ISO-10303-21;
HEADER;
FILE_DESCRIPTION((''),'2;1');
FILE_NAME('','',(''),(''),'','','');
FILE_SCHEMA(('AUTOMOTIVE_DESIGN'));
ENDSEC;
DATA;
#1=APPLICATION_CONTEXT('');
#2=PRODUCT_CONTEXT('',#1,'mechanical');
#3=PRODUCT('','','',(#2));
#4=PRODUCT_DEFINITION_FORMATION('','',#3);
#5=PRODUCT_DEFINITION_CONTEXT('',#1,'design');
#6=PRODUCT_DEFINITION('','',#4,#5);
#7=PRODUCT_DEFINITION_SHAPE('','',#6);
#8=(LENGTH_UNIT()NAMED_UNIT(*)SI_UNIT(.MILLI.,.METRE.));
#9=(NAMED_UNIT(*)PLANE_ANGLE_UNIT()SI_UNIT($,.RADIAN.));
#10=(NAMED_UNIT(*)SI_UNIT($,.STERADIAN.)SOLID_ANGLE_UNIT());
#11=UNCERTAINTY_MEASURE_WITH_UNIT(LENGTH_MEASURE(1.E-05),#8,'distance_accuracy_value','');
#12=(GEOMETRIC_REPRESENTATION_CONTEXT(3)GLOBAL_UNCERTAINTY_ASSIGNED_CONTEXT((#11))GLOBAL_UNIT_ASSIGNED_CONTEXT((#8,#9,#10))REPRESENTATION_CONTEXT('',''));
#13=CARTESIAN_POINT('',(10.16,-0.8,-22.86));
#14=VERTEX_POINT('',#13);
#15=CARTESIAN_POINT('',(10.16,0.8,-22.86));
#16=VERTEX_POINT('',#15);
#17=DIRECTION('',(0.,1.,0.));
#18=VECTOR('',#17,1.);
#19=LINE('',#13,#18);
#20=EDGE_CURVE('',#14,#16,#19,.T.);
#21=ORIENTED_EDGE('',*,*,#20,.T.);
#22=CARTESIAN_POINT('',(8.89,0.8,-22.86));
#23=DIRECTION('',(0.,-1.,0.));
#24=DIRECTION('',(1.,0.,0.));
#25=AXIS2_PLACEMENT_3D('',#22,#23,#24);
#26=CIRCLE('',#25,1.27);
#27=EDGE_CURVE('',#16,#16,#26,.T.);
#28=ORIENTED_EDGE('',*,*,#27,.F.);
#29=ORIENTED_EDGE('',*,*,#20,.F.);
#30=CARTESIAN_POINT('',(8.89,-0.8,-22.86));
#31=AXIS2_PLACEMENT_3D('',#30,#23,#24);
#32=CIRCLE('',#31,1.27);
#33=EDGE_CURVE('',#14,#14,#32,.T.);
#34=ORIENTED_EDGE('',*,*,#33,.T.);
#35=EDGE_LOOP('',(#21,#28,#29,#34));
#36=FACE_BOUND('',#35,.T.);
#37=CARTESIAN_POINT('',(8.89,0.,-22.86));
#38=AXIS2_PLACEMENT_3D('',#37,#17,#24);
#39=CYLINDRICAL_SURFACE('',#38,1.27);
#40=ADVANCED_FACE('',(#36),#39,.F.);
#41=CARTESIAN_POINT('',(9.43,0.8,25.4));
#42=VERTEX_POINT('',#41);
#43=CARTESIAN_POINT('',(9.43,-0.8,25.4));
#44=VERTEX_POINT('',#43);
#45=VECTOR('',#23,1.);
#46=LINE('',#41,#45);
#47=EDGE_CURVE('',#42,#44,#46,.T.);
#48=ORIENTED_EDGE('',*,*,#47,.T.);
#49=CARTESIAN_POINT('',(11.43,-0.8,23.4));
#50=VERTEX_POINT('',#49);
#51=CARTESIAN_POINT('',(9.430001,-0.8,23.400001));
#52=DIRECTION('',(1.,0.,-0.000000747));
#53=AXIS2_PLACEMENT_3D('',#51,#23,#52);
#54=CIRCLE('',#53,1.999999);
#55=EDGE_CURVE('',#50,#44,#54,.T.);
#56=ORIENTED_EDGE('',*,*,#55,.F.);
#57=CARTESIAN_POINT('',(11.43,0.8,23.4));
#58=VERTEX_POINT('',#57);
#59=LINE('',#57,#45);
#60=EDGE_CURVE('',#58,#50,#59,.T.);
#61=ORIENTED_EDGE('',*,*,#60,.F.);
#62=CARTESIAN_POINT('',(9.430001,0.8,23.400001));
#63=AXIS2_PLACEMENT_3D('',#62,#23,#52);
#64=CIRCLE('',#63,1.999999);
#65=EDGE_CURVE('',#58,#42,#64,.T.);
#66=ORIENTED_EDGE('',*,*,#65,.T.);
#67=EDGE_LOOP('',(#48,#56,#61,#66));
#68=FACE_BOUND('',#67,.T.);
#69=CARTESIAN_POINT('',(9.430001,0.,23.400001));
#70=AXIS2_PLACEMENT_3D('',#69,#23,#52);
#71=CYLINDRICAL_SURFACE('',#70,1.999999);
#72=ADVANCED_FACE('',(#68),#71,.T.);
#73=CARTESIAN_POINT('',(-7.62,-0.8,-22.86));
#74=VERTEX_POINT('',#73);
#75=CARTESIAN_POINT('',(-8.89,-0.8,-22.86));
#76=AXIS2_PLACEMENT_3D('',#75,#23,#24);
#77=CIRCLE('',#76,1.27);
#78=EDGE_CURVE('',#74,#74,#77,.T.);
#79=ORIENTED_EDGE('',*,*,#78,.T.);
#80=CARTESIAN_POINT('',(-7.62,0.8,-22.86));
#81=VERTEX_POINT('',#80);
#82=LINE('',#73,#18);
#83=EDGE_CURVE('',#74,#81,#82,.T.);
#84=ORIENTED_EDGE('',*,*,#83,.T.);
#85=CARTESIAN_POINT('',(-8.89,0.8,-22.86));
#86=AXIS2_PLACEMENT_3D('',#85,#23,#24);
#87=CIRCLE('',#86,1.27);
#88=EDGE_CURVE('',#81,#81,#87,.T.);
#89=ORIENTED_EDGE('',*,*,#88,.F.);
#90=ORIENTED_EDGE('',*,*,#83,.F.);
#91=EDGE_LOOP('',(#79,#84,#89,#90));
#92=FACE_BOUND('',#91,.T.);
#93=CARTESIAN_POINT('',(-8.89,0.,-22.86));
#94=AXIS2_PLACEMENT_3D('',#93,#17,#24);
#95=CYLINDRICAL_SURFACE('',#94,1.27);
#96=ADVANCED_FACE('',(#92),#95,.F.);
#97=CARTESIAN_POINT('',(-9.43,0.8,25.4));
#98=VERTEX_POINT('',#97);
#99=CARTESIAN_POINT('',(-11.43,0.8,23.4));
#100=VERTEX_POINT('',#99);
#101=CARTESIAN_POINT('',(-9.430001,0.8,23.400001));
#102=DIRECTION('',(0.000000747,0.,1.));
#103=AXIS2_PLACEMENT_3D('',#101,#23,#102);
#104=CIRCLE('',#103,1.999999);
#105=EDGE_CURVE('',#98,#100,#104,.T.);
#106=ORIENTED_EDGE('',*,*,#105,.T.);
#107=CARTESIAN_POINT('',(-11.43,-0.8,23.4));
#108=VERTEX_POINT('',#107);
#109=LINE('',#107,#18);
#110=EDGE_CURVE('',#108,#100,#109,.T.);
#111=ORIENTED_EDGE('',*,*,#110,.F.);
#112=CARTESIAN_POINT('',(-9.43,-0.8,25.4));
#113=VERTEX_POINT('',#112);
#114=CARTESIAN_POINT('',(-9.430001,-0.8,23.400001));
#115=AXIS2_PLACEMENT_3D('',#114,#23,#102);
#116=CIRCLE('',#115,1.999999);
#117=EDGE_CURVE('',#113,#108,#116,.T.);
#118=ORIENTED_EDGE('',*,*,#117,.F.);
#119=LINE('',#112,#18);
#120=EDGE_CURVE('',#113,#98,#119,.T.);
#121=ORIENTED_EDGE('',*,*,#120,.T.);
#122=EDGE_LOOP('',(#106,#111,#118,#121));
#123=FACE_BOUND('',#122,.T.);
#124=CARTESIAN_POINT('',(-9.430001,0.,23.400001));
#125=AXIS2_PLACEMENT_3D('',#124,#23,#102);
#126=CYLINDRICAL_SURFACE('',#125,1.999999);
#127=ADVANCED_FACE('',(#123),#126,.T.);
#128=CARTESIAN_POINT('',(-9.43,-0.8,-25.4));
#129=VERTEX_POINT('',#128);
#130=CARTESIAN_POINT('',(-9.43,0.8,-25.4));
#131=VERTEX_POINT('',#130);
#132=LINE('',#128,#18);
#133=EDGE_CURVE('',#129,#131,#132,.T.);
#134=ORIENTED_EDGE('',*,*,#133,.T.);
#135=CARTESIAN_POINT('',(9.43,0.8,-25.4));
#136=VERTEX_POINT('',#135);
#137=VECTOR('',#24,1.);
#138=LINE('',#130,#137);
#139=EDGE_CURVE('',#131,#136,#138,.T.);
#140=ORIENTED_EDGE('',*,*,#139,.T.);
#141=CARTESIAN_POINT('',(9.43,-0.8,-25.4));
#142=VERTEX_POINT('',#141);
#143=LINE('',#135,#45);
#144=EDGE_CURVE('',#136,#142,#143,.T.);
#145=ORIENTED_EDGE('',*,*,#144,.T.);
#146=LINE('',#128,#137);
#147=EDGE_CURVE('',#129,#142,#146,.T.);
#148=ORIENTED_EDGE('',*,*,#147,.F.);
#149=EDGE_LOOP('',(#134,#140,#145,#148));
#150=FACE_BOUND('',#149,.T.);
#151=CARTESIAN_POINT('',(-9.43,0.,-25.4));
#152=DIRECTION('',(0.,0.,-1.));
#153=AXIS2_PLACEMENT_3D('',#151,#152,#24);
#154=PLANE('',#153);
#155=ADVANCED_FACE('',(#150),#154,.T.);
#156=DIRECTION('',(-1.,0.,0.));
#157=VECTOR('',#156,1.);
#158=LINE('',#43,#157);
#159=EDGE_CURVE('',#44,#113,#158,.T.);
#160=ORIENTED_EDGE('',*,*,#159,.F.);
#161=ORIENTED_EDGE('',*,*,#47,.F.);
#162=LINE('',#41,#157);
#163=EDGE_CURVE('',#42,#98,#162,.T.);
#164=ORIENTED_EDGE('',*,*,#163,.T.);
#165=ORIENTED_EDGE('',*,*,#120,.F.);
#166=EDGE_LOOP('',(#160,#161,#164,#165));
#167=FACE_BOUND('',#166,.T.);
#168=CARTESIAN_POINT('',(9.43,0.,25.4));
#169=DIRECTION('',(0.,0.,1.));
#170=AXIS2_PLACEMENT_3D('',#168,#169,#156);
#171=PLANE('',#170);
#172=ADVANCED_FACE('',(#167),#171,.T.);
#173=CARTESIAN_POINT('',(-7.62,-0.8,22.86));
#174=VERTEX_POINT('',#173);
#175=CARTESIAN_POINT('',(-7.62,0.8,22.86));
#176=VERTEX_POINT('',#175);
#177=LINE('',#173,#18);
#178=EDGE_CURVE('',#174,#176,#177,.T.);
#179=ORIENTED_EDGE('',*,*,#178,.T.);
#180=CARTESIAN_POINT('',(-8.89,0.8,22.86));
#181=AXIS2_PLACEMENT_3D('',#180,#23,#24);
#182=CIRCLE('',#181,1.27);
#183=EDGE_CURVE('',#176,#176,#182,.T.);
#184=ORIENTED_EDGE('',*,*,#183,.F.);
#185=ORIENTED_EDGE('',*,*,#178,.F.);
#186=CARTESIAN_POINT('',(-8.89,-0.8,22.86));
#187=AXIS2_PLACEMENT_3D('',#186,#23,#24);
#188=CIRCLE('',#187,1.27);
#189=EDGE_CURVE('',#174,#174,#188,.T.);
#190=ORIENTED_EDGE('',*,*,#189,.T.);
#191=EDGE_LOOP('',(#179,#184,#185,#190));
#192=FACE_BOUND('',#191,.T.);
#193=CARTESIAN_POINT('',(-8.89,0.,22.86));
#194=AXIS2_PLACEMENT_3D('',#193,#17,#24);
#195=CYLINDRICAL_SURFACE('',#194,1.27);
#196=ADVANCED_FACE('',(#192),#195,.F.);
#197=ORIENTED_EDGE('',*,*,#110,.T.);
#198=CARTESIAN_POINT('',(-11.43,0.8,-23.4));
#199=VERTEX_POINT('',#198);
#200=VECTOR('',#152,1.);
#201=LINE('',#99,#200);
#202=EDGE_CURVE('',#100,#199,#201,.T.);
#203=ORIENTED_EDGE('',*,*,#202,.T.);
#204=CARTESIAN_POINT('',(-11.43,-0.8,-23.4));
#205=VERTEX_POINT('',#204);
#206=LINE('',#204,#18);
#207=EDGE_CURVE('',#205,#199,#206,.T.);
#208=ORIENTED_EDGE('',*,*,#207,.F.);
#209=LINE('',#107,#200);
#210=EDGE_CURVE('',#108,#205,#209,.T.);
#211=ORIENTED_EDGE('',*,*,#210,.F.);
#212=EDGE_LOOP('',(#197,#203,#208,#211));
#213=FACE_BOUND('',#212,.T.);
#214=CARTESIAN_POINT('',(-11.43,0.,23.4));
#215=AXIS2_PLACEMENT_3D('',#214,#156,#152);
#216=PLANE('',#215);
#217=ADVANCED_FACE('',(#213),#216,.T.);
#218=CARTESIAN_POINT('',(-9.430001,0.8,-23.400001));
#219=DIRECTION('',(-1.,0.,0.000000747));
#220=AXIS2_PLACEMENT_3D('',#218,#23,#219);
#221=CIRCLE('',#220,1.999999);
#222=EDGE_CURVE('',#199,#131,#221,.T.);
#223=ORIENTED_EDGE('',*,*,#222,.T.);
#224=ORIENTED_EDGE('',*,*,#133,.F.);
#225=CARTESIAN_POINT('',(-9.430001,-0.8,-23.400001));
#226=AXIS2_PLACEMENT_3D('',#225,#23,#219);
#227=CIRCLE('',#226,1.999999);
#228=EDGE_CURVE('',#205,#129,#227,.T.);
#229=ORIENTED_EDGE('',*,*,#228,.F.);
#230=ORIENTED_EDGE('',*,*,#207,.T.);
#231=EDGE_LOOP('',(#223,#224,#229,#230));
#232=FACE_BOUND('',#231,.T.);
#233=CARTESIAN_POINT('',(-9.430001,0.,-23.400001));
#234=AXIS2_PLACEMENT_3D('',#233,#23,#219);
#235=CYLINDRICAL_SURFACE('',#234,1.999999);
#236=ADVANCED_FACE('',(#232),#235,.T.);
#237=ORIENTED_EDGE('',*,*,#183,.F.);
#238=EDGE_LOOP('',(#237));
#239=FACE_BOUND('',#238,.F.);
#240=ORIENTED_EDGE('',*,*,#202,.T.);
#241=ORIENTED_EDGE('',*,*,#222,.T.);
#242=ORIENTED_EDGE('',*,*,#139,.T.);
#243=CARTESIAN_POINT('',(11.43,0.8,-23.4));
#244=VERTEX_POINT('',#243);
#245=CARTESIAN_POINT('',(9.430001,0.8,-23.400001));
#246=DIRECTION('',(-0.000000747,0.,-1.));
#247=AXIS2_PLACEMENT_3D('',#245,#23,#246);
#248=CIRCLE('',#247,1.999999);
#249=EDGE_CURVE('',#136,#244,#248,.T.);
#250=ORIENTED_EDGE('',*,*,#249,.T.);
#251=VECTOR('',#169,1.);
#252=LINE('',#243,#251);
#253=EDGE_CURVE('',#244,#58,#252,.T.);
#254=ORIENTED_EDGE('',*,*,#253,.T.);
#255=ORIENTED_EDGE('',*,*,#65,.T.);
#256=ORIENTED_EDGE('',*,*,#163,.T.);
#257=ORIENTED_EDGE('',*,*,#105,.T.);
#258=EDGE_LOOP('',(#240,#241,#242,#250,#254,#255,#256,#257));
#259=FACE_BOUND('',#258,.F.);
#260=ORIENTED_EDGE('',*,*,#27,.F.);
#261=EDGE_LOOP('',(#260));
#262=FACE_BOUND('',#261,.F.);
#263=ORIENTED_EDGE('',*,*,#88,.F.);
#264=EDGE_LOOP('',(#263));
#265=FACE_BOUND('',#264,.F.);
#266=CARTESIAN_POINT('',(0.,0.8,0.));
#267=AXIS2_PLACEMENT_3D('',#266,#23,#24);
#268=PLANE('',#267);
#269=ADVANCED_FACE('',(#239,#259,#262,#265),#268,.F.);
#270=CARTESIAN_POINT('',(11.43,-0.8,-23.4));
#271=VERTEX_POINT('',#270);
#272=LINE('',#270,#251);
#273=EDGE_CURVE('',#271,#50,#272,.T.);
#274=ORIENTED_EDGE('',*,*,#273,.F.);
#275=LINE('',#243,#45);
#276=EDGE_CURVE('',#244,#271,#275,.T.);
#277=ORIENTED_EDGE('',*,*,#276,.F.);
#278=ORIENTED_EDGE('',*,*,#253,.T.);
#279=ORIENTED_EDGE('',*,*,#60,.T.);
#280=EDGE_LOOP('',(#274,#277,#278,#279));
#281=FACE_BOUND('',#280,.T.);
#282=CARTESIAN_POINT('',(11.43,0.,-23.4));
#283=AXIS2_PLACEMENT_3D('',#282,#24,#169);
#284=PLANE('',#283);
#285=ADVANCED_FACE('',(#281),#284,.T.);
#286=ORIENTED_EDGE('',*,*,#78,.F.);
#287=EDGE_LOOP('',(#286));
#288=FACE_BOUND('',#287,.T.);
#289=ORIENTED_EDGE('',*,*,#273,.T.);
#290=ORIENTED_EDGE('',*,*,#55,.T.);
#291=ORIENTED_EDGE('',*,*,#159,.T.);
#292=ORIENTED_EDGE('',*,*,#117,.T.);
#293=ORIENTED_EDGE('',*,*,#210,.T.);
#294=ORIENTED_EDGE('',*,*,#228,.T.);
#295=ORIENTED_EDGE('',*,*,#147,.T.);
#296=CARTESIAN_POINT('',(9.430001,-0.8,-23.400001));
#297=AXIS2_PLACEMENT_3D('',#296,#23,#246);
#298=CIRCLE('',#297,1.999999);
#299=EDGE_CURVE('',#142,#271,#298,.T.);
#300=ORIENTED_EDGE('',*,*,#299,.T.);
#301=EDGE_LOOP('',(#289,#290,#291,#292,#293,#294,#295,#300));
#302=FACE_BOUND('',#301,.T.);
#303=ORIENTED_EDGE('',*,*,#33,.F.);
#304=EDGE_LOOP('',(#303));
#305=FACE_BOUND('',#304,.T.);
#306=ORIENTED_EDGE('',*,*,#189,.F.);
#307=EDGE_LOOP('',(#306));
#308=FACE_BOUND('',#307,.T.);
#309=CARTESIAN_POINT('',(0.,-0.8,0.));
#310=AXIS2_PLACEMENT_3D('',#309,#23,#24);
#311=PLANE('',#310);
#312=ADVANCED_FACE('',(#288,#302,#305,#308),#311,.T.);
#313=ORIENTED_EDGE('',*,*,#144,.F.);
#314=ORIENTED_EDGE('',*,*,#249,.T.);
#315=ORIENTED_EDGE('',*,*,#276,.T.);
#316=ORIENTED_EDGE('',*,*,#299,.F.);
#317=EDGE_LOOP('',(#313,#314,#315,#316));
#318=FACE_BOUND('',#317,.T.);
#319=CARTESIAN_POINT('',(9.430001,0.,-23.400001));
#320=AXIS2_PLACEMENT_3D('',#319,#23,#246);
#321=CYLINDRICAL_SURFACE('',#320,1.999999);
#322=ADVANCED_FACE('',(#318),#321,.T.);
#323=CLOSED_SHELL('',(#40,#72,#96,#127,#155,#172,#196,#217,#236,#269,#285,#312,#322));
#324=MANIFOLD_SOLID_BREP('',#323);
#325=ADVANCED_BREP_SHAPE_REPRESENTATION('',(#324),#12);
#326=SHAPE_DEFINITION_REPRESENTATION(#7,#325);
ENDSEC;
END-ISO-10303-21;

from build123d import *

# Parameters (mm, degrees)
F0_R     = 1.27
F1_DEPTH = 0.8


with BuildPart() as f1:
    # F0 (on Front) → F1 (new body, symmetric)
    with BuildSketch(Plane.XZ):
        with BuildLine():
            Line((-9.43, -25.4), (9.43, -25.4))
            ThreePointArc((9.43, -25.4), (10.844214, -24.814214), (11.43, -23.4))
            Line((11.43, -23.4), (11.43, 23.4))
            ThreePointArc((11.43, 23.4), (10.844214, 24.814214), (9.43, 25.4))
            Line((9.43, 25.4), (-9.43, 25.4))
            ThreePointArc((-9.43, 25.4), (-10.844214, 24.814214), (-11.43, 23.4))
            Line((-11.43, 23.4), (-11.43, -23.4))
            ThreePointArc((-11.43, -23.4), (-10.844214, -24.814214), (-9.43, -25.4))
        make_face()
        with Locations((-8.89, -22.86)):
            Circle(F0_R, mode=Mode.SUBTRACT)
        with Locations((8.89, -22.86)):
            Circle(F0_R, mode=Mode.SUBTRACT)
        with Locations((-8.89, 22.86)):
            Circle(F0_R, mode=Mode.SUBTRACT)
    extrude(amount=F1_DEPTH, both=True)


solid = f1.part
